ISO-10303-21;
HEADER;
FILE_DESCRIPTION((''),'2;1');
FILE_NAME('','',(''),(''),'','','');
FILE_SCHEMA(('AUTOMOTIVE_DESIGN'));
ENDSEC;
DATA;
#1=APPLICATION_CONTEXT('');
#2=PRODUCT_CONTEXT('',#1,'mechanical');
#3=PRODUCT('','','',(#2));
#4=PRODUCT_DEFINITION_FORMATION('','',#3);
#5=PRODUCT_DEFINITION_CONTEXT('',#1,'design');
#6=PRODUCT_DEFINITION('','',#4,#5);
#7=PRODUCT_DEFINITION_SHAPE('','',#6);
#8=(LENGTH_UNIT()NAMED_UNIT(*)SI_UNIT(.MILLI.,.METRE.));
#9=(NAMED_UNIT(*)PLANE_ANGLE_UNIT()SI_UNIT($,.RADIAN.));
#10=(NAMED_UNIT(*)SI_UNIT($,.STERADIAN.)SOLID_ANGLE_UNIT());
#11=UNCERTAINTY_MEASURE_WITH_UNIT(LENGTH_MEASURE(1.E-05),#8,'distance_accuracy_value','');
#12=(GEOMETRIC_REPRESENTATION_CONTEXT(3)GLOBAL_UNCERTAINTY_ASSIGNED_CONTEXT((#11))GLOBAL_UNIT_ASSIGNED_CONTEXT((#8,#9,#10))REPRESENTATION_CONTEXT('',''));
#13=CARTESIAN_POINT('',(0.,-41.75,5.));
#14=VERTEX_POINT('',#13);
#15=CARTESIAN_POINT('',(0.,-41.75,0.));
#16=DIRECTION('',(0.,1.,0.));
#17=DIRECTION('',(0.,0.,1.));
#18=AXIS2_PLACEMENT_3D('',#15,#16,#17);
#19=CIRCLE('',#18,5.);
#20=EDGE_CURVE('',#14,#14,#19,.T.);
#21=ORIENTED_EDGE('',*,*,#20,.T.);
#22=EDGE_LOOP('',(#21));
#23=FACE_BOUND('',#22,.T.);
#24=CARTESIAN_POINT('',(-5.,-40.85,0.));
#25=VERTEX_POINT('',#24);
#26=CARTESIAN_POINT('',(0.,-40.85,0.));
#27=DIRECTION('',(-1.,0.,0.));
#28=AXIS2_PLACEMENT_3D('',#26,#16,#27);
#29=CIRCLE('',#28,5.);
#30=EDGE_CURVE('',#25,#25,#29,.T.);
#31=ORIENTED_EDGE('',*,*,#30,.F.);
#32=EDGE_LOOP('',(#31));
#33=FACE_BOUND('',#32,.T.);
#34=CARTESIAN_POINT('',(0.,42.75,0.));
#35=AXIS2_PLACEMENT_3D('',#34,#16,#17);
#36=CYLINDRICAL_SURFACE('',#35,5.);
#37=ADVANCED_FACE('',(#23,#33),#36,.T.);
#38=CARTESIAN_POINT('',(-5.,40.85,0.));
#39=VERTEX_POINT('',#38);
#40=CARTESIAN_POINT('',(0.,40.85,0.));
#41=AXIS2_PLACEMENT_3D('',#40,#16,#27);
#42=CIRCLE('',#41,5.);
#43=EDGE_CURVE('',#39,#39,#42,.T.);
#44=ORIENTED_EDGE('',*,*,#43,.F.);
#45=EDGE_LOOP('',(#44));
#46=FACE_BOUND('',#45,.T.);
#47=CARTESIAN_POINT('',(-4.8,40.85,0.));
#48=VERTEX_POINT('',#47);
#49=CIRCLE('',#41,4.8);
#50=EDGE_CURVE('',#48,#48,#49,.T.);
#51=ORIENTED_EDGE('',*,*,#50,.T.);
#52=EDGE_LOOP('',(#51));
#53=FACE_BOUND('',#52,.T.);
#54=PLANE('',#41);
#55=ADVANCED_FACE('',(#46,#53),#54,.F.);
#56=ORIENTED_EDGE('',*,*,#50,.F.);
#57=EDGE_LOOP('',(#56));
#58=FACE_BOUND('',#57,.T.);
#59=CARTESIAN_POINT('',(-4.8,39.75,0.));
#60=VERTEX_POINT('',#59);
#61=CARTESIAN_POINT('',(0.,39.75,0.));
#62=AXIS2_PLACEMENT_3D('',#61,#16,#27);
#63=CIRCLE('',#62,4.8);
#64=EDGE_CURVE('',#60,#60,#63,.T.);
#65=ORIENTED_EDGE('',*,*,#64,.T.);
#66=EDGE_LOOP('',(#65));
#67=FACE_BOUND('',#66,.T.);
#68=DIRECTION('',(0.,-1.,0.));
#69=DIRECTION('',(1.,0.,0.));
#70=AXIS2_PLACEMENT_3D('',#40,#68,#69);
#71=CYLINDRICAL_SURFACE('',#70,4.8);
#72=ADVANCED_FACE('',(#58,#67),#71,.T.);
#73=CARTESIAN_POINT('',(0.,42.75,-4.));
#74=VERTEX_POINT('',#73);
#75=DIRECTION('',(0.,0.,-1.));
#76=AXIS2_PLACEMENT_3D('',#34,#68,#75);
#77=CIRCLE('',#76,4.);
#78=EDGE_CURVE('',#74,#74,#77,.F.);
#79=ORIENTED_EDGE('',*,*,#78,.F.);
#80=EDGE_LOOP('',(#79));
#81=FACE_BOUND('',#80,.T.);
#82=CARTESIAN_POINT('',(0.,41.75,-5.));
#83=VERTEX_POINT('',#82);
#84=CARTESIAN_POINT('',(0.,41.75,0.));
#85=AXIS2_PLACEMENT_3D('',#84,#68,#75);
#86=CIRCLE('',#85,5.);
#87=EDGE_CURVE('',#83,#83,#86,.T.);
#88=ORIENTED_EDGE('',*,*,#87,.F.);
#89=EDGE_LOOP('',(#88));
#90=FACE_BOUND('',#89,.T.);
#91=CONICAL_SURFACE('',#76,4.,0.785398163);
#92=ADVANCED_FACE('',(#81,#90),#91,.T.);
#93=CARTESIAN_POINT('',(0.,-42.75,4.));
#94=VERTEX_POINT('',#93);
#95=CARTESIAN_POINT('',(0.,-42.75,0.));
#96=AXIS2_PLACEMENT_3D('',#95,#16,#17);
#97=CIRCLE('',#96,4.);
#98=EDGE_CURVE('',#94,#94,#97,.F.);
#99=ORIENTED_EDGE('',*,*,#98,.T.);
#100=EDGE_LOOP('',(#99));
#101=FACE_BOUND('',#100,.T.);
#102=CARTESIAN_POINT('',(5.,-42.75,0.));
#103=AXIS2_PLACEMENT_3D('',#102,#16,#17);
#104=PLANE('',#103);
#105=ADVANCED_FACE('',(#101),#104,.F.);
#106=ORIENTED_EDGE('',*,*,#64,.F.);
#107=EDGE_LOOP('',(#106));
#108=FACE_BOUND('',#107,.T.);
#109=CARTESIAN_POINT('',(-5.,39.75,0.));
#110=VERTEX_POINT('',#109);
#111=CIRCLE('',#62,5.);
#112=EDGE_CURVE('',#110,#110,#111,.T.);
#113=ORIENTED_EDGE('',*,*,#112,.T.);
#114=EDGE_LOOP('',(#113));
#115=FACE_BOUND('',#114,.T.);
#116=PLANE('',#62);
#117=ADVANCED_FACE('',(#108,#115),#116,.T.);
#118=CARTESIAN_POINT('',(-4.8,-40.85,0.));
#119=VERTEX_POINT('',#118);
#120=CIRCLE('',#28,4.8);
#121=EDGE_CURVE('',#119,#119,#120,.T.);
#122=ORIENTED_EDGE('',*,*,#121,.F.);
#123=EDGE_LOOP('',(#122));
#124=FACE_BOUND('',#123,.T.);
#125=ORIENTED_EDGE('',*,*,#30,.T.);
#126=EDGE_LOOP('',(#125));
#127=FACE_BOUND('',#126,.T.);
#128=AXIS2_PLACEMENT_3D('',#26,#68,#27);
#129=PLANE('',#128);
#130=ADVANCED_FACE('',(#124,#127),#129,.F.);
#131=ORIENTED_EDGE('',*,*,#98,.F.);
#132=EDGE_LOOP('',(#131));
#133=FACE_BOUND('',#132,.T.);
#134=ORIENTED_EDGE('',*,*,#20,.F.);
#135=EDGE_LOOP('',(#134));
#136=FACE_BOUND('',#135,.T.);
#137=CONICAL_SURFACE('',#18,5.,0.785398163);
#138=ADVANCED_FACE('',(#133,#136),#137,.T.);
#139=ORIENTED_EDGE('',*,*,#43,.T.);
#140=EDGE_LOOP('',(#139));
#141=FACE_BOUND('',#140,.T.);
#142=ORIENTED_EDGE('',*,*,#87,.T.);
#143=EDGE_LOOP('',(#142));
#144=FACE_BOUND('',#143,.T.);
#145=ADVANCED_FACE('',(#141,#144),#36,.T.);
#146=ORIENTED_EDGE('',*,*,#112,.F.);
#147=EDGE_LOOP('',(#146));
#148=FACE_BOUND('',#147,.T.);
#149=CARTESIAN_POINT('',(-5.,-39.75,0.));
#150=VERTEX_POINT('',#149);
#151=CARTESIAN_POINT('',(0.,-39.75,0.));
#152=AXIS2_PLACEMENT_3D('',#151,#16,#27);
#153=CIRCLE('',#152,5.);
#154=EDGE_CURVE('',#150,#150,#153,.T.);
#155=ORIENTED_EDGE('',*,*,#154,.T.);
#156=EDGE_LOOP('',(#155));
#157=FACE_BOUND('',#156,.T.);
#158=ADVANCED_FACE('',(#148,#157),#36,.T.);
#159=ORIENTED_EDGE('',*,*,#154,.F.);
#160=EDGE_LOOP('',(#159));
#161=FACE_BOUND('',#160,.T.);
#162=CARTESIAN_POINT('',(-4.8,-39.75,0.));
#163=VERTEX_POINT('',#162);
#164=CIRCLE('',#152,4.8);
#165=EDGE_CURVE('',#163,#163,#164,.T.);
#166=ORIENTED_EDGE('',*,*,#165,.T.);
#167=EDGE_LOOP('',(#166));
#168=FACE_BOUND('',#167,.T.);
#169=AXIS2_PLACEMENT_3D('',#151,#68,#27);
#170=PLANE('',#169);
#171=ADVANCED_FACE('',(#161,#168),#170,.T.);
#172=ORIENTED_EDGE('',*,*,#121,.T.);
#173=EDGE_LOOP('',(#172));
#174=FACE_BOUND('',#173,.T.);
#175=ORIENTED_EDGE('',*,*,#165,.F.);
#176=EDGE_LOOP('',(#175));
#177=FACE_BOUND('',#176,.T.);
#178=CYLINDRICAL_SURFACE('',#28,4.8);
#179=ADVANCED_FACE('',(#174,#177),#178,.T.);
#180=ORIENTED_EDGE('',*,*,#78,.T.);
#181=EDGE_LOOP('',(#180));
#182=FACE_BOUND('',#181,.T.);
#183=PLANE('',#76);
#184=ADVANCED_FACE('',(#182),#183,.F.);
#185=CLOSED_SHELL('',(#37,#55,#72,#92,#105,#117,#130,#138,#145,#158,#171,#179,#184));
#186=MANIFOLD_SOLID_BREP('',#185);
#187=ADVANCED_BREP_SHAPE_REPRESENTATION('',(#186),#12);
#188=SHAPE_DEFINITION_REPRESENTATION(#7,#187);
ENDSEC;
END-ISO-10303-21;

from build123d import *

# Parameters (mm, degrees)
CHAMFER_1_SIZE      = 1
CUT_EXTRUDE_START   = -3
SKETCH_2_R          = 5
SKETCH_2_R_2        = 4.8
CUT_EXTRUDE_1_DEPTH = 1.1


with BuildPart() as part:
    # 草图1 → 旋转1 (revolve)
    with BuildSketch(Plane.XY, mode=Mode.PRIVATE) as revolve_1_sk:
        Polygon((0, 42.75), (5, 42.75), (5, 29.00117383), (5, -29.00117383), (5, -42.75), (0, -42.75), align=None)
    revolve(revolve_1_sk.sketch.rotate(Axis((0, 42.75, 0), (0, -1, 0)), 90), axis=Axis((0, 42.75, 0), (0, -1, 0)))

    # 倒角1
    chamfer_1_edges = [part.edges().sort_by_distance(p)[0] for p in [
        (0, -42.75, -5),
        (0, 42.75, -5),
    ]]
    chamfer(chamfer_1_edges, length=CHAMFER_1_SIZE)

    # 草图2 → 切除-拉伸1 (cut)
    with BuildSketch(Plane(origin=(0, 42.75, 0), x_dir=(1, 0, 0), z_dir=(0, 1, 0)).offset(CUT_EXTRUDE_START)):
        with Locations(Location((0, 0, 0), (0, 0, 180))):
            Circle(SKETCH_2_R)
        with Locations(Location((0, 0, 0), (0, 0, 180))):
            Circle(SKETCH_2_R_2, mode=Mode.SUBTRACT)
    cut_extrude_1 = extrude(amount=CUT_EXTRUDE_1_DEPTH, mode=Mode.SUBTRACT)

    # 镜向1: 切除-拉伸1 across plane
    add(cut_extrude_1.mirror(Plane.ZX), mode=Mode.SUBTRACT)


solid = part.part
